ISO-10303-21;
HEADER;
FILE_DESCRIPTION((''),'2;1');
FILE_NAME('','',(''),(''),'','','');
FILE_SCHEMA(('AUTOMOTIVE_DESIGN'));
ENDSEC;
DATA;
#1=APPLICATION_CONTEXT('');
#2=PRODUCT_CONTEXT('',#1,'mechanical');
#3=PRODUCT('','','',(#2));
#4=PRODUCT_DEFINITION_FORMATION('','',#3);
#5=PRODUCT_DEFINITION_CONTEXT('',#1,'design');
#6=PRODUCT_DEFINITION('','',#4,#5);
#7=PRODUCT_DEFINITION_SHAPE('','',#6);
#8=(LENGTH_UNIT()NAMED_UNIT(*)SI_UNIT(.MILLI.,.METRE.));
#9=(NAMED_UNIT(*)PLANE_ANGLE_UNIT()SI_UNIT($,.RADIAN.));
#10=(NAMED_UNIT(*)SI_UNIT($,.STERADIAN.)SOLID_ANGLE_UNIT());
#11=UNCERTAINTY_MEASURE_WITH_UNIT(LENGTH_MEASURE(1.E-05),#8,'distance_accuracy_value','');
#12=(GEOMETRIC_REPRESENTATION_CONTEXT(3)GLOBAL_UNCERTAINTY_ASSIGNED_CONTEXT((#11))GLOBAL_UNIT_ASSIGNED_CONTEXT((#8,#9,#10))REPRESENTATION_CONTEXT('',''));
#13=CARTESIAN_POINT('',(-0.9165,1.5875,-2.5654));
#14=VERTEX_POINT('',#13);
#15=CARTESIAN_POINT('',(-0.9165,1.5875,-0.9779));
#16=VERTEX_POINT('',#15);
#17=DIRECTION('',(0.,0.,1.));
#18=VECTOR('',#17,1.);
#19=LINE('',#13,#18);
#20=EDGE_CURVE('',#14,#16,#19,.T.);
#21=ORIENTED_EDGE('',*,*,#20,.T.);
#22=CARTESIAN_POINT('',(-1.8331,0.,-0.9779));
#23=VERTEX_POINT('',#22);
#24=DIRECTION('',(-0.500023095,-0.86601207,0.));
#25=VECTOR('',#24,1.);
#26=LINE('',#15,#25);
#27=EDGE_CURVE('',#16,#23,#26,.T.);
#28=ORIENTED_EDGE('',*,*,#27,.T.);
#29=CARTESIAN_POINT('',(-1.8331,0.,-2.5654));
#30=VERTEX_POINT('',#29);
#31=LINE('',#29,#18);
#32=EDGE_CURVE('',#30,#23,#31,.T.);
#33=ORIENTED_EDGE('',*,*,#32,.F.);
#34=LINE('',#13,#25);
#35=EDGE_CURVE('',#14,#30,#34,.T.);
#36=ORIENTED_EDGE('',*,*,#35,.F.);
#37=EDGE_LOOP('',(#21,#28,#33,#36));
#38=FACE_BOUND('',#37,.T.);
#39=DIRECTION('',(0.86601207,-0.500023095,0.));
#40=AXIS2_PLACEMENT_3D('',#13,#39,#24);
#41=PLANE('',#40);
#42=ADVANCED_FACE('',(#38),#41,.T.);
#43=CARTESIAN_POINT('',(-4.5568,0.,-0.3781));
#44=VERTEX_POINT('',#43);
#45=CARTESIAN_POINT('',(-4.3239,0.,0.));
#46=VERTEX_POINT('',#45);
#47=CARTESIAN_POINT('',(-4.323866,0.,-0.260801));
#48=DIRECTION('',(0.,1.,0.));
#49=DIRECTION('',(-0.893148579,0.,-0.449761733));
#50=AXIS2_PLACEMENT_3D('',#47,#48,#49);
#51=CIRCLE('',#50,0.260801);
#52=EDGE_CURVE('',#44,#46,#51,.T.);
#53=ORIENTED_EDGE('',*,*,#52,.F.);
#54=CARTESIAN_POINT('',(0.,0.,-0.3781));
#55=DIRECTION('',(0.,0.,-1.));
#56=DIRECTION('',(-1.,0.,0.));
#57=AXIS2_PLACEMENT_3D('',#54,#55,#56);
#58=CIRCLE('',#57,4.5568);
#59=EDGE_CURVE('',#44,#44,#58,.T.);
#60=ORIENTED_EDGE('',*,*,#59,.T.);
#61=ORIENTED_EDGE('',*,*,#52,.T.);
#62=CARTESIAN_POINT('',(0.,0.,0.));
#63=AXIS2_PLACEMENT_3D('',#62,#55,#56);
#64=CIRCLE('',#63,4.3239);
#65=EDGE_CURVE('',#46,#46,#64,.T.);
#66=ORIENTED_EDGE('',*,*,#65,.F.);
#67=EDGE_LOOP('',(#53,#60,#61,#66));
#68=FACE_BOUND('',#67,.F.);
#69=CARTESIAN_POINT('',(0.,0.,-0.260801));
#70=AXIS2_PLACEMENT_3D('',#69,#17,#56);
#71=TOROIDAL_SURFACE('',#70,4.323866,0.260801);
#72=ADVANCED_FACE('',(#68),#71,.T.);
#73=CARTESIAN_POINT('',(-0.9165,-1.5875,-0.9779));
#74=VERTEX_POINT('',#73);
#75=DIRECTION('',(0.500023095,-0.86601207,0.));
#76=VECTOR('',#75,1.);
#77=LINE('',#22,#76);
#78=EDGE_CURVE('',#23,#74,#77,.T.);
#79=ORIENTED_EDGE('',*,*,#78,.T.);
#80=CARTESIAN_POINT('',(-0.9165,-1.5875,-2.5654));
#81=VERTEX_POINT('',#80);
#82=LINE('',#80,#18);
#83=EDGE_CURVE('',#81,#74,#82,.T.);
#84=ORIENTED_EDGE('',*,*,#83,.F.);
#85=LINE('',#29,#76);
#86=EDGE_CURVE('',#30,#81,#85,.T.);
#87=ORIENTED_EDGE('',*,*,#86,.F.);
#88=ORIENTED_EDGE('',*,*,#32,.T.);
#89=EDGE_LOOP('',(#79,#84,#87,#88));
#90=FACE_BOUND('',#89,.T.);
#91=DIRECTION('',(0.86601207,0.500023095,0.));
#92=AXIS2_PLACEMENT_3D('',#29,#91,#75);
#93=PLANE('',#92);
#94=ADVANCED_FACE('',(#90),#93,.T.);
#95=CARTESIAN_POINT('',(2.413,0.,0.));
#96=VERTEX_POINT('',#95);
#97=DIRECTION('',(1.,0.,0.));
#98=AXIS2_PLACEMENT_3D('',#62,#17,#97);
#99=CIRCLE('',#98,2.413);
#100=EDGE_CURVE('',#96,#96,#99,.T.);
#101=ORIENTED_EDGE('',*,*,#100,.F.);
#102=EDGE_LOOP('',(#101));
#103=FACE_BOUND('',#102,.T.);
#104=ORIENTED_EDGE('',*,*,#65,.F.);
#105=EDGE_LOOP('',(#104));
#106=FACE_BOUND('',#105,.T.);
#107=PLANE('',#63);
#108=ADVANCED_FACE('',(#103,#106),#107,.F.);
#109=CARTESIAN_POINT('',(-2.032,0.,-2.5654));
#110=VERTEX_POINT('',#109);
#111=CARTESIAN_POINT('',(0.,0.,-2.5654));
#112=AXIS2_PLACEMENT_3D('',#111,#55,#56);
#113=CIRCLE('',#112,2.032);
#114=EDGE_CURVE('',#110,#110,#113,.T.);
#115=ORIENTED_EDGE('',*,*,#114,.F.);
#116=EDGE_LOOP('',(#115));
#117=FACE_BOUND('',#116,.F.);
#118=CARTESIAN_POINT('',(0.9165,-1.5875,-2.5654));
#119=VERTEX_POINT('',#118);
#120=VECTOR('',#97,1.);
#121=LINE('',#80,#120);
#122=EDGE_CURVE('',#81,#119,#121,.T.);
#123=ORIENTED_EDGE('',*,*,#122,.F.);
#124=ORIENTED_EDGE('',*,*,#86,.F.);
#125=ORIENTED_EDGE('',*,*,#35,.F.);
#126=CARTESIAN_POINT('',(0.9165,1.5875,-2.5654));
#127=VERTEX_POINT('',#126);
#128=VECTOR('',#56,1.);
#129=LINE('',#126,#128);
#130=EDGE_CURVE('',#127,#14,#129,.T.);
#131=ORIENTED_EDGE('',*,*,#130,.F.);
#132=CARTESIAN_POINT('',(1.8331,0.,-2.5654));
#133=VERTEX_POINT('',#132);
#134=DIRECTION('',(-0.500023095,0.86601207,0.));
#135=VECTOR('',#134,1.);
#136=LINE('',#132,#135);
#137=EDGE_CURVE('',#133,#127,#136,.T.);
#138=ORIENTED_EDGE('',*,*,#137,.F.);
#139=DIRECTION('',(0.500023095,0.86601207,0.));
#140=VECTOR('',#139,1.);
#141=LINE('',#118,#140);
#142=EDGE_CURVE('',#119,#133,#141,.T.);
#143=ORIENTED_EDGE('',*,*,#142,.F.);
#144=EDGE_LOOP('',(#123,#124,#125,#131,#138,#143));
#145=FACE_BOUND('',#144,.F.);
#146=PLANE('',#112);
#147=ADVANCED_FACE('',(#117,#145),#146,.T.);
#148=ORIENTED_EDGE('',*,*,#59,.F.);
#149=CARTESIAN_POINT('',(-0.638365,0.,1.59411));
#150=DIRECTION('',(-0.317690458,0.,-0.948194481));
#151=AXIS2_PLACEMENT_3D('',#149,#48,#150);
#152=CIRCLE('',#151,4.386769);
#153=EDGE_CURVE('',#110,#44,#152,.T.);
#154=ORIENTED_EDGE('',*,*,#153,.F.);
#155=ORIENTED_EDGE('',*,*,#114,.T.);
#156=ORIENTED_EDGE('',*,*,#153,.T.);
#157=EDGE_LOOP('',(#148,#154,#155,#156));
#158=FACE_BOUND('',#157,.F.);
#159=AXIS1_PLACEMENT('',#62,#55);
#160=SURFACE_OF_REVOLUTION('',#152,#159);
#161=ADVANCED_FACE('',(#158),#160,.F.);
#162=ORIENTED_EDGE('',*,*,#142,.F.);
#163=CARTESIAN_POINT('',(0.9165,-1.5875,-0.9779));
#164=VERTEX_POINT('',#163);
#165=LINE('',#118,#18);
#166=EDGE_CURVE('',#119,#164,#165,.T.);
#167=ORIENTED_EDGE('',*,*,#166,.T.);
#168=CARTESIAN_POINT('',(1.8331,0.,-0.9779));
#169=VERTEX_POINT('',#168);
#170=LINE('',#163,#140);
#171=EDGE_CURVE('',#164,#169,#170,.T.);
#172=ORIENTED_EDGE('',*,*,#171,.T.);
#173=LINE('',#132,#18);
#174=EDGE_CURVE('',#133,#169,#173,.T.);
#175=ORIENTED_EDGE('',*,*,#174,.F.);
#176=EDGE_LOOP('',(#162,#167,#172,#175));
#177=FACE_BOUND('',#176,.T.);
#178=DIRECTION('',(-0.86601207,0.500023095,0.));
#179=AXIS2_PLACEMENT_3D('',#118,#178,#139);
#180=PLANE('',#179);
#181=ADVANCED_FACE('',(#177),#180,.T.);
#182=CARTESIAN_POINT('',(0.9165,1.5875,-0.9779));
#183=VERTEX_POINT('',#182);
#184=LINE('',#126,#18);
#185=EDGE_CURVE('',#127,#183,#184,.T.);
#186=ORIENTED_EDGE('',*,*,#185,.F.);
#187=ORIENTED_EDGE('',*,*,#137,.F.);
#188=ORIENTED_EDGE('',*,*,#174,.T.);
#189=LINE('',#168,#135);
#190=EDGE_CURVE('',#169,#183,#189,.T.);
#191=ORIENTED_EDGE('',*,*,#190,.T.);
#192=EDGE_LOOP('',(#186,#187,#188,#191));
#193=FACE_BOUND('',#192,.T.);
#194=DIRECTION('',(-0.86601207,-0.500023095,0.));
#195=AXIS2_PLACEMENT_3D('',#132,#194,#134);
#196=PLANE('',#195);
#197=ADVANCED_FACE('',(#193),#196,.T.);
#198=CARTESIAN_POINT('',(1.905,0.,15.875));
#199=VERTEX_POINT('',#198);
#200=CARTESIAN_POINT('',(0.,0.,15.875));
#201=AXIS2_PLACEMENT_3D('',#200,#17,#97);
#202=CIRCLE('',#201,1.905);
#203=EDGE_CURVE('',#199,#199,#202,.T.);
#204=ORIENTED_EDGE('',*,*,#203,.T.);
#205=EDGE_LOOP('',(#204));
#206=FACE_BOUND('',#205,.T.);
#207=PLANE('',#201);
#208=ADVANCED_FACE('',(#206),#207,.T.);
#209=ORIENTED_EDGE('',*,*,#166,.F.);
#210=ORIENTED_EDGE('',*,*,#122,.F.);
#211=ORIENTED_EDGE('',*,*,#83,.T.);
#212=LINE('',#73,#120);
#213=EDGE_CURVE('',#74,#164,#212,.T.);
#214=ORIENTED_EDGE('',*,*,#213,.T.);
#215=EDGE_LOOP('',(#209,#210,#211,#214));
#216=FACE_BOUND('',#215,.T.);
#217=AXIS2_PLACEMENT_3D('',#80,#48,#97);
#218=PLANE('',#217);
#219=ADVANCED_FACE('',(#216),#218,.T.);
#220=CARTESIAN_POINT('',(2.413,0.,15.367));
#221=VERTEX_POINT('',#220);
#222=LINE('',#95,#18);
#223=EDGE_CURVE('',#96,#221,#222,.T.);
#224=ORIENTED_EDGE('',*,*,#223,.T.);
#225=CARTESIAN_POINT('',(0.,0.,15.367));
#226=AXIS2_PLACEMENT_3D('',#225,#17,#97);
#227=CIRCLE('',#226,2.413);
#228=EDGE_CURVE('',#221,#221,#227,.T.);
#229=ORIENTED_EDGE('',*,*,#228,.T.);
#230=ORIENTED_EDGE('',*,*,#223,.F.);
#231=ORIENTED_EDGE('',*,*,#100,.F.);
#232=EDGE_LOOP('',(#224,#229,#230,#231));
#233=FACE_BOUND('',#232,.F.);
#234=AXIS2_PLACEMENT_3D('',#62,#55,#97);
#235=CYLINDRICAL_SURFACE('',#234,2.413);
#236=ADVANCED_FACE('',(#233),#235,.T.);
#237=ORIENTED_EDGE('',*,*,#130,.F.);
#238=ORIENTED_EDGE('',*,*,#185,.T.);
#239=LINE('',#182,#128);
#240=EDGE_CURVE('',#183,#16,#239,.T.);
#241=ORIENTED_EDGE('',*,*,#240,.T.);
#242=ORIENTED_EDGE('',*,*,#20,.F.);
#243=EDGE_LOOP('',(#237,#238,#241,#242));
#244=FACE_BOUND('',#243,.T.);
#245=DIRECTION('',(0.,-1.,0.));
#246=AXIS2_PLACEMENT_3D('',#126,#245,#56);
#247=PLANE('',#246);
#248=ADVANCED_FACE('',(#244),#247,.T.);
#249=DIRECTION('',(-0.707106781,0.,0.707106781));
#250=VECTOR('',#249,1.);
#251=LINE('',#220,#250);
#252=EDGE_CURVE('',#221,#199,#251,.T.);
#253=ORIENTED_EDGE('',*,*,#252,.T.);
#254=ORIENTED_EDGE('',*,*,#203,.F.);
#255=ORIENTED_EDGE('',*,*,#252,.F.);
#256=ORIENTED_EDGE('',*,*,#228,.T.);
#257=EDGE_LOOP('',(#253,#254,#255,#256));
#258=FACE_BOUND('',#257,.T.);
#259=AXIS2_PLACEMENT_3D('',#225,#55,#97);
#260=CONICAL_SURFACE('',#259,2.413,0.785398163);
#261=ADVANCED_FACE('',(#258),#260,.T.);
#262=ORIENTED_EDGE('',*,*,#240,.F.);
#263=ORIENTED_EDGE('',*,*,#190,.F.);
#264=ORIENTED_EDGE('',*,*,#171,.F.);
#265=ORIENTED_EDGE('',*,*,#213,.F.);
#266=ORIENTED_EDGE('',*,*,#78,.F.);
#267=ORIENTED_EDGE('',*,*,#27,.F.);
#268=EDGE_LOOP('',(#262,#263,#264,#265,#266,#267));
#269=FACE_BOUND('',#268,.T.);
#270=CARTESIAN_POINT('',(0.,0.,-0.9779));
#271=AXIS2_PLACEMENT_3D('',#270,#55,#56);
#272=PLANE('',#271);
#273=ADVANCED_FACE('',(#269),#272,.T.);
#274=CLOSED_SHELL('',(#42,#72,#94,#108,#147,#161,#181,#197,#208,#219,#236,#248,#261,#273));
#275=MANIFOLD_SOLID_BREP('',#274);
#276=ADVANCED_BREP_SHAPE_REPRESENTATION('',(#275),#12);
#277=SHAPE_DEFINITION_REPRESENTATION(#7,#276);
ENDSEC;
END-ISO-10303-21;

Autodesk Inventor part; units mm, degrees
ref_plane "YZ Plane" through (0, 0, 0) normal (1, 0, 0) x (0, 1, 0)
ref_plane "XZ Plane" through (0, 0, 0) normal (0, 1, 0) x (-1, 0, 0)
ref_plane "XY Plane" through (0, 0, 0) normal (0, 0, 1) x (1, 0, 0)
sketch "Sketch1" plane through (0, 0, 0) normal (0, 0, 1) x (1, 0, 0)
  circle A0 centre (0, 0) radius 2.413
  dimension "d0" = 4.826
extrude "Extrusion1" add sketch "Sketch1" along normal blind 15.875
sketch "Sketch2" plane through (0, 0, 0) normal (0, 1, 0) x (-1, 0, 0)
  line L0 (0, 0) -> (0, -2.5654)
  line L1 (0, 0) -> (4.3239, 0)
  line L2 (0, -2.5654) -> (2.032, -2.5654)
  line L3 (4.3239, 0) -> (4.3239, 3.8864) construction
  arc A0 (4.5568, -0.3781) -> (4.3239, 0) centre (4.3239, -0.2608) ccw
  arc A1 (2.032, -2.5654) -> (4.5568, -0.3781) centre (0.6382, 1.5944) ccw
  line L4 (4.5847, 0.6553) -> (4.5847, -0.2608) construction
  dimension "d3" = 2.5654
  dimension "d6" = 2.032
  dimension "d12" = 4.5847
revolve "Revolution1" add sketch "Sketch2" angle 360 about axis through (0, 0, 0) along (0, 0, -1)
sketch "Sketch3" plane through (0, 0, -2.5654) normal (0, 0, -1) x (-1, 0, 0)
  circle A0 centre (0, 0) radius 2.032 projected
  line L0 (-0.9165, 1.5875) -> (0.9165, 1.5875)
  line L1 (0.9165, 1.5875) -> (1.8331, 0)
  line L2 (1.8331, 0) -> (0.9165, -1.5875)
  line L3 (0.9165, -1.5875) -> (-0.9165, -1.5875)
  line L4 (-0.9165, -1.5875) -> (-1.8331, 0)
  line L5 (-1.8331, 0) -> (-0.9165, 1.5875)
  dimension "d8" = 3.175
extrude "Extrusion2" cut sketch "Sketch3" against normal blind 1.5875 contours L0 L1 L2 L3 L4 L5
chamfer "Chamfer1" distance 0.508 angle 45 1 edges at (-2.413, 0, 15.875)
thread "Thread1" size "10-32 UNF" class "2A" standard "ANSI Unified Screw Threads" full length
properties part number "10-32 x625 button head" material "Steel"
